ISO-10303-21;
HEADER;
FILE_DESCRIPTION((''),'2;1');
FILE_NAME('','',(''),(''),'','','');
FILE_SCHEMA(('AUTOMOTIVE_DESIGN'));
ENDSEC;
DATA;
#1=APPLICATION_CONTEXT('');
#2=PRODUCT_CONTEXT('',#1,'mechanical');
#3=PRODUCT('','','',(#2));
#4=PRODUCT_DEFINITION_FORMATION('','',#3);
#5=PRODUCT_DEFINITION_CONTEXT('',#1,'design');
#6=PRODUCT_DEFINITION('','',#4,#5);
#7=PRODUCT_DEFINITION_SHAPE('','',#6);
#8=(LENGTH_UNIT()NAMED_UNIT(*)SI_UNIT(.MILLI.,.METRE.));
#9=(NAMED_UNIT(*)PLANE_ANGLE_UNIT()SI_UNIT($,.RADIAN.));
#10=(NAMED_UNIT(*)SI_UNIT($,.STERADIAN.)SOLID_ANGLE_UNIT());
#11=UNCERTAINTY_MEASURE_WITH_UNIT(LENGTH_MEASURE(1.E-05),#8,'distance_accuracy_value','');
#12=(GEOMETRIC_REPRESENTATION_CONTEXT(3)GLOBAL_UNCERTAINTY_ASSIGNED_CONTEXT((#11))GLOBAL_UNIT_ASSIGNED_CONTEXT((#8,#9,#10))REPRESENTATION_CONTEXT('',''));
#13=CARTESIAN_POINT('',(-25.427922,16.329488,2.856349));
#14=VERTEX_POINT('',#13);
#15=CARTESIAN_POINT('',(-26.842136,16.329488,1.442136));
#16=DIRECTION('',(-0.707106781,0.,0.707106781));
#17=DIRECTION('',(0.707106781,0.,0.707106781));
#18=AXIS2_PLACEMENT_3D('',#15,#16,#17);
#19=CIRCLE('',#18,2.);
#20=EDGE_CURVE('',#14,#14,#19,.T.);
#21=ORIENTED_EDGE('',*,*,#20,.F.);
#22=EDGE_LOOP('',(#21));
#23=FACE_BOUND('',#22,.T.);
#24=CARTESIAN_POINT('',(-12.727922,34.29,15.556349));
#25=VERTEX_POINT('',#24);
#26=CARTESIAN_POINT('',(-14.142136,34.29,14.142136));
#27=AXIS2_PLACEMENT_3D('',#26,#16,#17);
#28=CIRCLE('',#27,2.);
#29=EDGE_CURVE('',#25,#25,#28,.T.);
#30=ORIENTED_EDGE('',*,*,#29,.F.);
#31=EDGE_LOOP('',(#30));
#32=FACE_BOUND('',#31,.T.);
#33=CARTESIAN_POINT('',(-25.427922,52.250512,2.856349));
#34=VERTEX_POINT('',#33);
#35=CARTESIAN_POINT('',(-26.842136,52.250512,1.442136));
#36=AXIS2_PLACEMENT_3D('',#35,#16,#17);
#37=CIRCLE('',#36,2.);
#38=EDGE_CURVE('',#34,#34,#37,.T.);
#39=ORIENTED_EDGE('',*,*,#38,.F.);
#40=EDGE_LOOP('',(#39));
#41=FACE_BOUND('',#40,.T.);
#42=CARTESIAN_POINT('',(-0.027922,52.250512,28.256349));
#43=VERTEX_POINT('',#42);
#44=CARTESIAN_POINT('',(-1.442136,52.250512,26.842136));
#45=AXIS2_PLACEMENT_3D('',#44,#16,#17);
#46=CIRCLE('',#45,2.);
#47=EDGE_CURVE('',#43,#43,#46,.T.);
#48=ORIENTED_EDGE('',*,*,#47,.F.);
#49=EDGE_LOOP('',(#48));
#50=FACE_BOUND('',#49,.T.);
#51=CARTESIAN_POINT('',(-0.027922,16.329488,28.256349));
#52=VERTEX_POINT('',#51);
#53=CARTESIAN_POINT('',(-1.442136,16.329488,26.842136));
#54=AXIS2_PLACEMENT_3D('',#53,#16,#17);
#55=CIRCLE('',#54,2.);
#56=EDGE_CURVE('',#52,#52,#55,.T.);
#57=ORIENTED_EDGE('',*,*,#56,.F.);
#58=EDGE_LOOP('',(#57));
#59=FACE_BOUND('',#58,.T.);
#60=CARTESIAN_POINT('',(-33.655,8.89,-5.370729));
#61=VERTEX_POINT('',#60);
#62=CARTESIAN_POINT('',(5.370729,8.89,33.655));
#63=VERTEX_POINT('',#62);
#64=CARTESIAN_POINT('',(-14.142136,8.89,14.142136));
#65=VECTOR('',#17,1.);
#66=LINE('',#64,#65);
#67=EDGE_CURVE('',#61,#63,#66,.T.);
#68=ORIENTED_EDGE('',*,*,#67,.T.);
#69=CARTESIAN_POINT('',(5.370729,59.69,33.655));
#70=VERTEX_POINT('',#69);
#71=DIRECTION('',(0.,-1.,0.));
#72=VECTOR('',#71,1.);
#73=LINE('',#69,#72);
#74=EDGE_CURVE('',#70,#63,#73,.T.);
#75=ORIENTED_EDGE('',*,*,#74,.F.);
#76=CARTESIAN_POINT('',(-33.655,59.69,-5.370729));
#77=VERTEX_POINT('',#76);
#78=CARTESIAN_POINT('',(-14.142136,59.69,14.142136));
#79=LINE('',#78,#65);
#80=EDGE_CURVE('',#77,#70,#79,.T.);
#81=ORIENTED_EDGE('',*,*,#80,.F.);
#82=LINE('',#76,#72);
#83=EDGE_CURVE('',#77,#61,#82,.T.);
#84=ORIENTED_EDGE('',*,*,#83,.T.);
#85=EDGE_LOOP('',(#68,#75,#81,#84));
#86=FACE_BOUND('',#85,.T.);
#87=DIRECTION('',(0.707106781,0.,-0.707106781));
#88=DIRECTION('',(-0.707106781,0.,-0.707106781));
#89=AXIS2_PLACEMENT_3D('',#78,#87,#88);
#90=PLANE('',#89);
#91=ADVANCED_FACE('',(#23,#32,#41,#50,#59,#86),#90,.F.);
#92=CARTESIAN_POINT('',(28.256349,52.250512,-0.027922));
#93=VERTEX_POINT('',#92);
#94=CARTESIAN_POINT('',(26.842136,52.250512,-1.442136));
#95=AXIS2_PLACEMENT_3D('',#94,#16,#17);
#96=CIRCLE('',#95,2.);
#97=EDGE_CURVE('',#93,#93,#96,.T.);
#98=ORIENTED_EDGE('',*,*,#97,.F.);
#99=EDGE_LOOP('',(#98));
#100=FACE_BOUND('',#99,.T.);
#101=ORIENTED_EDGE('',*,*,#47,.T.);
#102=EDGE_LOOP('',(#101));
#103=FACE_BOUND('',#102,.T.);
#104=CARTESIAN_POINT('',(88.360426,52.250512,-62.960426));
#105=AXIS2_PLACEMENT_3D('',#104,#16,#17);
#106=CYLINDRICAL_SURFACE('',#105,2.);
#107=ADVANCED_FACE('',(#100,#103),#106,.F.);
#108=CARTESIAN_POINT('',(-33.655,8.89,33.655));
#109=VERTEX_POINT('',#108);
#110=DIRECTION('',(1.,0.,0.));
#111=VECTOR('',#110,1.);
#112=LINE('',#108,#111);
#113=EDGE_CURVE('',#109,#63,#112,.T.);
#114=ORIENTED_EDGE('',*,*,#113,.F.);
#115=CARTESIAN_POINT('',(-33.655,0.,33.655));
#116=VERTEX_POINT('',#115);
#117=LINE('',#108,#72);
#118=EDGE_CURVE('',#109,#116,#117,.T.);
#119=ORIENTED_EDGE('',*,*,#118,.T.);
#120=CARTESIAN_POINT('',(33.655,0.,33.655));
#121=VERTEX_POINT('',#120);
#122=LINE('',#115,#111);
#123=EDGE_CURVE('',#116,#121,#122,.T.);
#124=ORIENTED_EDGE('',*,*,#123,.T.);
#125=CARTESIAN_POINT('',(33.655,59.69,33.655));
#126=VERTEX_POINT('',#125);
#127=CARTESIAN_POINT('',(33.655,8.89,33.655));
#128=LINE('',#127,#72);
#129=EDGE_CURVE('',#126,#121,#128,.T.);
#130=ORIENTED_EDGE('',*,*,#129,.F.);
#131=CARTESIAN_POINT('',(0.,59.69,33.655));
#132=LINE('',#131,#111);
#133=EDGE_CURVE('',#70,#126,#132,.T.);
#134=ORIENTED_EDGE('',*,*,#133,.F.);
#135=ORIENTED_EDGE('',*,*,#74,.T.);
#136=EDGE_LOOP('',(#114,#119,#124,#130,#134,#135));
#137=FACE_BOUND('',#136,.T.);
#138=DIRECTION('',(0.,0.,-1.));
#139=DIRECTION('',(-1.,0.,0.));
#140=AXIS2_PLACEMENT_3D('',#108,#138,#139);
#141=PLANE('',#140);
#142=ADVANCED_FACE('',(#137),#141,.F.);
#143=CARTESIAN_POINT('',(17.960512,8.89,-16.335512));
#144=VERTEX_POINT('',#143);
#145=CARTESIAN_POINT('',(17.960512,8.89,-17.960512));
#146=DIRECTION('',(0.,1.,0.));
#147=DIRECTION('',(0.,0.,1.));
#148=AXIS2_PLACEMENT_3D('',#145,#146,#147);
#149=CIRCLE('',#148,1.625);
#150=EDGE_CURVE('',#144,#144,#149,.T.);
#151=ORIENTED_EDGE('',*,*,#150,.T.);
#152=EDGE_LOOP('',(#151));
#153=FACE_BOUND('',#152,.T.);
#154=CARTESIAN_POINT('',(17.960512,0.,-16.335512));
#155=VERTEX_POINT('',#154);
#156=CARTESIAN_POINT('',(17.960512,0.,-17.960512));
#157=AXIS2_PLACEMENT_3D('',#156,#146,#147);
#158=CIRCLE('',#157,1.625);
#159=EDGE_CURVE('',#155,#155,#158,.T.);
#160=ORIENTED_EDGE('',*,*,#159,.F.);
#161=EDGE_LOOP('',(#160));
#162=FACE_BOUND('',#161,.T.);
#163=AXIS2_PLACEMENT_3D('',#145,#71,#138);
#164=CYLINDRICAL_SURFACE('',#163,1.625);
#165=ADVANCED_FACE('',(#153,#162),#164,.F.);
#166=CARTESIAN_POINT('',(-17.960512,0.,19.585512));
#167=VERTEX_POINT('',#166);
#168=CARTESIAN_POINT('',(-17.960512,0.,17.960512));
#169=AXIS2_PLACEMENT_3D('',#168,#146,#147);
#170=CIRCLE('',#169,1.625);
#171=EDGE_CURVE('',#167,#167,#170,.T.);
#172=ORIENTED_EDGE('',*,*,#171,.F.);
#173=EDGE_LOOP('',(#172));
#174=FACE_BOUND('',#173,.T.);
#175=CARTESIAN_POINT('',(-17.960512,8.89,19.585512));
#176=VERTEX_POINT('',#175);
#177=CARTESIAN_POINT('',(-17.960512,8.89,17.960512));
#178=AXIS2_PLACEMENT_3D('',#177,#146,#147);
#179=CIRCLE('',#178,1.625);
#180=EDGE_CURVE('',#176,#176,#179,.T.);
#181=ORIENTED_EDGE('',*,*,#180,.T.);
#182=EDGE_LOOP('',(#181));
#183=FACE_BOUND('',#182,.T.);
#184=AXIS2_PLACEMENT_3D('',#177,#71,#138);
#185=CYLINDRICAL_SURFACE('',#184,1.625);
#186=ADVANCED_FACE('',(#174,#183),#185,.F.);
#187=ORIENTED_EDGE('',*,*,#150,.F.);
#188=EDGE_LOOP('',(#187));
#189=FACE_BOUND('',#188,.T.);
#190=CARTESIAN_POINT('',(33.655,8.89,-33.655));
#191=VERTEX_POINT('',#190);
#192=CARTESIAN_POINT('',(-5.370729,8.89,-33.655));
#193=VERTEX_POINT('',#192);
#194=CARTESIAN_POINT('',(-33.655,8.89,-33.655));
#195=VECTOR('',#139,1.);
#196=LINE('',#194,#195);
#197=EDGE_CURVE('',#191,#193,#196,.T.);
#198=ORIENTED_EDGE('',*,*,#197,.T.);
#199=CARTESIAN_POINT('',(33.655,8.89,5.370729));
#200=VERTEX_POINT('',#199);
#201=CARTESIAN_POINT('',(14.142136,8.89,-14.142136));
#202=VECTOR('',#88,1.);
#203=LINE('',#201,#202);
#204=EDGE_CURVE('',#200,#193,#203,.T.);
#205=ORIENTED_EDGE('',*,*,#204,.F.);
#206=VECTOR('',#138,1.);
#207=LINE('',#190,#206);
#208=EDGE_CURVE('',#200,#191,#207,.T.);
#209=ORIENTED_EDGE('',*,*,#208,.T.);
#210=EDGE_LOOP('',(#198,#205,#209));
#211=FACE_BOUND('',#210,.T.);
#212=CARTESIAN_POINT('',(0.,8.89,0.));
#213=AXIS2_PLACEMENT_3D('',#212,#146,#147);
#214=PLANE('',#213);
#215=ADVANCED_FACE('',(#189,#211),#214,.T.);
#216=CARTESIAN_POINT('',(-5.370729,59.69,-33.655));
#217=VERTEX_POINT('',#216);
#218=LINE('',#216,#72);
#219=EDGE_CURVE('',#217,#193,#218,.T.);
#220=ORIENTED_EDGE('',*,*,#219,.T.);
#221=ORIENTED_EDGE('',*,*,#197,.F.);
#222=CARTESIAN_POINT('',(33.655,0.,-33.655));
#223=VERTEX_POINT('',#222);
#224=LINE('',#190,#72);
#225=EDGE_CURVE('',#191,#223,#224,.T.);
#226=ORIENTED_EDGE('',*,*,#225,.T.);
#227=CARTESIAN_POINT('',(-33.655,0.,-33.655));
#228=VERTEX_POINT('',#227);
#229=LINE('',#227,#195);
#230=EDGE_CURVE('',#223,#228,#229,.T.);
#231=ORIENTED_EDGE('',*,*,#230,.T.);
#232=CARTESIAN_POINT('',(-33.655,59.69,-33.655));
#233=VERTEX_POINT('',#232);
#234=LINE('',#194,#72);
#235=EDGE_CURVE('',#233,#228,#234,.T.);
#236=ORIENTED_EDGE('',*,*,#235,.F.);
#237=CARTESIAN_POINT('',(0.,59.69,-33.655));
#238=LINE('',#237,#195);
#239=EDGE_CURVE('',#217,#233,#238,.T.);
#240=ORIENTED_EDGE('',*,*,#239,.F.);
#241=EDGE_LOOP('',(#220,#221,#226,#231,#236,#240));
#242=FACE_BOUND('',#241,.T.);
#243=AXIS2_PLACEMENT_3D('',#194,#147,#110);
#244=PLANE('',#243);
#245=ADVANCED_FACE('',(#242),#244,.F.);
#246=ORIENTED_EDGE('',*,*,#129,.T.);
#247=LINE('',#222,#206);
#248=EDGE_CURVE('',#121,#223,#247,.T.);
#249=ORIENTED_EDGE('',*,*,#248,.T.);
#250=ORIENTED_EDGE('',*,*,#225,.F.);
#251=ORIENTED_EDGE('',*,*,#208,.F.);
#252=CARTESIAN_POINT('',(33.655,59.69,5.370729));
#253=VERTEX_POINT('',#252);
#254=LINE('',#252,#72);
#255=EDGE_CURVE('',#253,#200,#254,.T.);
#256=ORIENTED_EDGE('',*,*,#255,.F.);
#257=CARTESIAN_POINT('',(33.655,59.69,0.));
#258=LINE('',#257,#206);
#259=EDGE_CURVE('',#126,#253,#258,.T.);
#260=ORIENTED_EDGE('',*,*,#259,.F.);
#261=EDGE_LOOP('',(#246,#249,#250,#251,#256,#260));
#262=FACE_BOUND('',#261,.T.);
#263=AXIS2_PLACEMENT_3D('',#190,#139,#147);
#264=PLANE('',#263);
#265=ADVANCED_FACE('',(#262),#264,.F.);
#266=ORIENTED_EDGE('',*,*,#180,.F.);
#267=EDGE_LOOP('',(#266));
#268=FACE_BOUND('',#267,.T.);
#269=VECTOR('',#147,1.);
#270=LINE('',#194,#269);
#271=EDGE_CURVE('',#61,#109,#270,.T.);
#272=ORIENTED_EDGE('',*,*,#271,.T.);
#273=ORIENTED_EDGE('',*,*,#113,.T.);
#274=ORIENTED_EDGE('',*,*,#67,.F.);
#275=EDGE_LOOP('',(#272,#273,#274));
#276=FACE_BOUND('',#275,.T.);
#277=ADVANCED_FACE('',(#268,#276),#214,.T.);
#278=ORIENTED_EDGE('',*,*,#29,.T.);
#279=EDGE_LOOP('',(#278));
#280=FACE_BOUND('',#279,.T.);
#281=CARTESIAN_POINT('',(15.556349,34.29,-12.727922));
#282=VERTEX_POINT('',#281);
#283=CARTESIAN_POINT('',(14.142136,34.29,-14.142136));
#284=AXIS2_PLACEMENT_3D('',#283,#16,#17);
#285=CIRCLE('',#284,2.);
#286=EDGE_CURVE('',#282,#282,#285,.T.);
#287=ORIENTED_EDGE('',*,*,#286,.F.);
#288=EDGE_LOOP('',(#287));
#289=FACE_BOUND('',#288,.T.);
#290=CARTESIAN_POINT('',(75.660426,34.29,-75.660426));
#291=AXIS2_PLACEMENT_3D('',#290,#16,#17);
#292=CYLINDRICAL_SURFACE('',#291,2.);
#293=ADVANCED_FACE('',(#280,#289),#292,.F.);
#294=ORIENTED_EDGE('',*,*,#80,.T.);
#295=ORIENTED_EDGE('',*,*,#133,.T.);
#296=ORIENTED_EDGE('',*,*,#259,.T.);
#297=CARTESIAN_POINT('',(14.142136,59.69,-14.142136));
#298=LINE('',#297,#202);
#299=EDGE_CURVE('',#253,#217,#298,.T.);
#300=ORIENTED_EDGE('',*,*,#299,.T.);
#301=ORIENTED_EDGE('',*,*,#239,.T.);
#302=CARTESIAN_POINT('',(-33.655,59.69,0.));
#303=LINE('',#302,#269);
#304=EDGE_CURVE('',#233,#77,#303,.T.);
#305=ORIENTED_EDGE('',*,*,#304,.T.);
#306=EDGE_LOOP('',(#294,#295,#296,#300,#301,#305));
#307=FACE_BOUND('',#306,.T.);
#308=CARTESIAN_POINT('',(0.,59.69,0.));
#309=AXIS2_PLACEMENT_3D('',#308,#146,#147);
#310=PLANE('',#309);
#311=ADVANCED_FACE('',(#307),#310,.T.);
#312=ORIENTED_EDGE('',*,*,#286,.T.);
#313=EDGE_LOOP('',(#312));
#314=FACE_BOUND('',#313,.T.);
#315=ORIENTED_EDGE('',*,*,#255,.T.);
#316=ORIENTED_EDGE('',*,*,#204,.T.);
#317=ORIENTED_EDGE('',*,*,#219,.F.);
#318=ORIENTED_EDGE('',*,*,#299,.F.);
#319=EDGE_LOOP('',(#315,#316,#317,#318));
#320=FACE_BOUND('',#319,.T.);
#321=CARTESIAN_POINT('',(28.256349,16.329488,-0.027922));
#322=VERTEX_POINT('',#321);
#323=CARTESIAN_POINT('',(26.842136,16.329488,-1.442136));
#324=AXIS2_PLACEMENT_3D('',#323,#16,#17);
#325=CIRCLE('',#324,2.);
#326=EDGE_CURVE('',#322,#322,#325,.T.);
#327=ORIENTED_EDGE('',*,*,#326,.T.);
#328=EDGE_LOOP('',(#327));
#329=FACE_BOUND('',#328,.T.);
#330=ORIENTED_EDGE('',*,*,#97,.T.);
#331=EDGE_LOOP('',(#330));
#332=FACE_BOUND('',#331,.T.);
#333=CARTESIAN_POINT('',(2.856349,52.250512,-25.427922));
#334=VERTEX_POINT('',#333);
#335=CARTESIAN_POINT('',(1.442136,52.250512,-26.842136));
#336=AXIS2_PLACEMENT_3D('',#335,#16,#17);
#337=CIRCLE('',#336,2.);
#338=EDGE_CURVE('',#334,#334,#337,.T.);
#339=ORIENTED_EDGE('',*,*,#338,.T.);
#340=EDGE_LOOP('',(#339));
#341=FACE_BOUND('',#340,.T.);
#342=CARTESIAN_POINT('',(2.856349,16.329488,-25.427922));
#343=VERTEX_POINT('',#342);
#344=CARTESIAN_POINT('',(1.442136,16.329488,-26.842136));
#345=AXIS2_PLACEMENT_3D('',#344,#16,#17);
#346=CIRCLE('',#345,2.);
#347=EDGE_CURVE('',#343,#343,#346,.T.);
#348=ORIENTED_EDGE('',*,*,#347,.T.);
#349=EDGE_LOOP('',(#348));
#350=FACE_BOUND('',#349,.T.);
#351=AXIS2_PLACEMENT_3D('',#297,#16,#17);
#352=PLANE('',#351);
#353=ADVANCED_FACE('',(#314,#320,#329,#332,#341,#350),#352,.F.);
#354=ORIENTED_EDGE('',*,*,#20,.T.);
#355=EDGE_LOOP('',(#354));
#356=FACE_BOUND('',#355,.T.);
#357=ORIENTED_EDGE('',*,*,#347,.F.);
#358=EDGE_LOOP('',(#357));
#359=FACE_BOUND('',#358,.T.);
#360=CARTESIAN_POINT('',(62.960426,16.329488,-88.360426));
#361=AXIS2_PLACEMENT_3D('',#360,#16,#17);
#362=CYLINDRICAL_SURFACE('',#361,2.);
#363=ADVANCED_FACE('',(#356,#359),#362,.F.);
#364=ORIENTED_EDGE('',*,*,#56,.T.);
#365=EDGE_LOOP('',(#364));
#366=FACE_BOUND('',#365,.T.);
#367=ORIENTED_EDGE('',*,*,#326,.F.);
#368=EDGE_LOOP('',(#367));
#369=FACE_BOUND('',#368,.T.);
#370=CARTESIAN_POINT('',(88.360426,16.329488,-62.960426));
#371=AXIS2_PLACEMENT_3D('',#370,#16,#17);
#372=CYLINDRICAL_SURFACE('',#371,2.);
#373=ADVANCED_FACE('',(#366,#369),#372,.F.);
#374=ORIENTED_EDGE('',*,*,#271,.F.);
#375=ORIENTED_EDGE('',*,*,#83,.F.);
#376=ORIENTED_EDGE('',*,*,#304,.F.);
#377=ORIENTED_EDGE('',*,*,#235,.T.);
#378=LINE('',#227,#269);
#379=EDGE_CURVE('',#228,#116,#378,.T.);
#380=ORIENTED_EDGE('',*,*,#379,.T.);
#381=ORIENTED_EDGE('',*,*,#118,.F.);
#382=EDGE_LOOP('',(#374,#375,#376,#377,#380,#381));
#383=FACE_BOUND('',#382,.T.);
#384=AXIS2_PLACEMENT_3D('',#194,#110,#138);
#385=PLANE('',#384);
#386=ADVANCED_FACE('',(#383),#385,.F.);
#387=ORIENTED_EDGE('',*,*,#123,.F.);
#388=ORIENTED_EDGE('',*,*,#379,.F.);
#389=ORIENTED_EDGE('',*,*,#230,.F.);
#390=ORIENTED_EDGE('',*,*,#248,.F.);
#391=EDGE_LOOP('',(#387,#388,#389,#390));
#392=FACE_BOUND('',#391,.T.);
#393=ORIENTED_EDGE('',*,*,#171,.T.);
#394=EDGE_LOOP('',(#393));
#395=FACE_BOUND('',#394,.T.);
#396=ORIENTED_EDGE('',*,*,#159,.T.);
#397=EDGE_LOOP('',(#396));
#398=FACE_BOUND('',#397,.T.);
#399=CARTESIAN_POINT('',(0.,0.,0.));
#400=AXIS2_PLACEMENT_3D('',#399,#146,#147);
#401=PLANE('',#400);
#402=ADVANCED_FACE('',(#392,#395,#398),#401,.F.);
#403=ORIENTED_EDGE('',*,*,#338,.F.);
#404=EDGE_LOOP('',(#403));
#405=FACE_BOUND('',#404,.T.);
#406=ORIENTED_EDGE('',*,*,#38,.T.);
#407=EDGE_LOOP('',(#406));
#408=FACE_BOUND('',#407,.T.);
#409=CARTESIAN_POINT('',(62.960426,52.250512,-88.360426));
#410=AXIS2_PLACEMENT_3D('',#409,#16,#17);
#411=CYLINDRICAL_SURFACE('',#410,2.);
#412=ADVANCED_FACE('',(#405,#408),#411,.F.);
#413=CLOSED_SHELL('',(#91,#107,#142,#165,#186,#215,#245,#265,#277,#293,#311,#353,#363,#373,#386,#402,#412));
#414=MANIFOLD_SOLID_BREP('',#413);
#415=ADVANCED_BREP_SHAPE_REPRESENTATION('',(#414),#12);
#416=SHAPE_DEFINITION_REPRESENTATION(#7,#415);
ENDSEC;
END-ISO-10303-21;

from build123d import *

# Parameters (mm, degrees)
SKETCH1_W           = 67.31
SKETCH1_H           = 67.31
SKETCH1_R           = 1.625
BOSS_EXTRUDE1_DEPTH = 8.89
BOSS_EXTRUDE2_DEPTH = 50.8
SKETCH3_R           = 2
CUT_EXTRUDE2_DEPTH  = 127


with BuildPart() as part:
    # Sketch1 → Boss-Extrude1 (new body)
    with BuildSketch(Plane(origin=(0, 0, 0), x_dir=(1, 0, 0), z_dir=(0, 1, 0))):
        Rectangle(SKETCH1_W, SKETCH1_H)
        with Locations(Location((17.960512242, 17.960512242, 0), (0, 0, 270))):
            Circle(SKETCH1_R, mode=Mode.SUBTRACT)
        with Locations(Location((-17.960512242, -17.960512242, 0), (0, 0, 270))):
            Circle(SKETCH1_R, mode=Mode.SUBTRACT)
    extrude(amount=BOSS_EXTRUDE1_DEPTH)

    # Sketch2 → Boss-Extrude2 (add)
    with BuildSketch(Plane(origin=(0, 8.89, 0), x_dir=(1, 0, 0), z_dir=(0, 1, 0))):
        Polygon((17.943087322, -33.655), (-33.655, 17.943087322), (-33.655, 5.370728753), (5.370728753, -33.655), align=None)
        Polygon((33.655, -17.943087322), (-17.943087322, 33.655), (-33.655, 33.655), (-33.655, 17.943087322), (17.943087322, -33.655), (33.655, -33.655), align=None)
        Polygon((-5.370728753, 33.655), (-17.943087322, 33.655), (33.655, -17.943087322), (33.655, -5.370728753), align=None)
    extrude(amount=BOSS_EXTRUDE2_DEPTH)

    # Sketch3 → Cut-Extrude2 (cut)
    with BuildSketch(Plane(origin=(-14.142135624, 0, 14.142135624), x_dir=(0.7071067811865464, 0, 0.7071067811865488), z_dir=(-0.7071067811865488, 0, 0.7071067811865464))):
        with Locations((-17.960512242, 52.250512242)):
            Circle(SKETCH3_R)
        with Locations((17.960512242, 16.329487758)):
            Circle(SKETCH3_R)
        with Locations((0, 34.29)):
            Circle(SKETCH3_R)
        with Locations((17.960512242, 52.250512242)):
            Circle(SKETCH3_R)
        with Locations((-17.960512242, 16.329487758)):
            Circle(SKETCH3_R)
    extrude(amount=-CUT_EXTRUDE2_DEPTH, mode=Mode.SUBTRACT)


solid = part.part
